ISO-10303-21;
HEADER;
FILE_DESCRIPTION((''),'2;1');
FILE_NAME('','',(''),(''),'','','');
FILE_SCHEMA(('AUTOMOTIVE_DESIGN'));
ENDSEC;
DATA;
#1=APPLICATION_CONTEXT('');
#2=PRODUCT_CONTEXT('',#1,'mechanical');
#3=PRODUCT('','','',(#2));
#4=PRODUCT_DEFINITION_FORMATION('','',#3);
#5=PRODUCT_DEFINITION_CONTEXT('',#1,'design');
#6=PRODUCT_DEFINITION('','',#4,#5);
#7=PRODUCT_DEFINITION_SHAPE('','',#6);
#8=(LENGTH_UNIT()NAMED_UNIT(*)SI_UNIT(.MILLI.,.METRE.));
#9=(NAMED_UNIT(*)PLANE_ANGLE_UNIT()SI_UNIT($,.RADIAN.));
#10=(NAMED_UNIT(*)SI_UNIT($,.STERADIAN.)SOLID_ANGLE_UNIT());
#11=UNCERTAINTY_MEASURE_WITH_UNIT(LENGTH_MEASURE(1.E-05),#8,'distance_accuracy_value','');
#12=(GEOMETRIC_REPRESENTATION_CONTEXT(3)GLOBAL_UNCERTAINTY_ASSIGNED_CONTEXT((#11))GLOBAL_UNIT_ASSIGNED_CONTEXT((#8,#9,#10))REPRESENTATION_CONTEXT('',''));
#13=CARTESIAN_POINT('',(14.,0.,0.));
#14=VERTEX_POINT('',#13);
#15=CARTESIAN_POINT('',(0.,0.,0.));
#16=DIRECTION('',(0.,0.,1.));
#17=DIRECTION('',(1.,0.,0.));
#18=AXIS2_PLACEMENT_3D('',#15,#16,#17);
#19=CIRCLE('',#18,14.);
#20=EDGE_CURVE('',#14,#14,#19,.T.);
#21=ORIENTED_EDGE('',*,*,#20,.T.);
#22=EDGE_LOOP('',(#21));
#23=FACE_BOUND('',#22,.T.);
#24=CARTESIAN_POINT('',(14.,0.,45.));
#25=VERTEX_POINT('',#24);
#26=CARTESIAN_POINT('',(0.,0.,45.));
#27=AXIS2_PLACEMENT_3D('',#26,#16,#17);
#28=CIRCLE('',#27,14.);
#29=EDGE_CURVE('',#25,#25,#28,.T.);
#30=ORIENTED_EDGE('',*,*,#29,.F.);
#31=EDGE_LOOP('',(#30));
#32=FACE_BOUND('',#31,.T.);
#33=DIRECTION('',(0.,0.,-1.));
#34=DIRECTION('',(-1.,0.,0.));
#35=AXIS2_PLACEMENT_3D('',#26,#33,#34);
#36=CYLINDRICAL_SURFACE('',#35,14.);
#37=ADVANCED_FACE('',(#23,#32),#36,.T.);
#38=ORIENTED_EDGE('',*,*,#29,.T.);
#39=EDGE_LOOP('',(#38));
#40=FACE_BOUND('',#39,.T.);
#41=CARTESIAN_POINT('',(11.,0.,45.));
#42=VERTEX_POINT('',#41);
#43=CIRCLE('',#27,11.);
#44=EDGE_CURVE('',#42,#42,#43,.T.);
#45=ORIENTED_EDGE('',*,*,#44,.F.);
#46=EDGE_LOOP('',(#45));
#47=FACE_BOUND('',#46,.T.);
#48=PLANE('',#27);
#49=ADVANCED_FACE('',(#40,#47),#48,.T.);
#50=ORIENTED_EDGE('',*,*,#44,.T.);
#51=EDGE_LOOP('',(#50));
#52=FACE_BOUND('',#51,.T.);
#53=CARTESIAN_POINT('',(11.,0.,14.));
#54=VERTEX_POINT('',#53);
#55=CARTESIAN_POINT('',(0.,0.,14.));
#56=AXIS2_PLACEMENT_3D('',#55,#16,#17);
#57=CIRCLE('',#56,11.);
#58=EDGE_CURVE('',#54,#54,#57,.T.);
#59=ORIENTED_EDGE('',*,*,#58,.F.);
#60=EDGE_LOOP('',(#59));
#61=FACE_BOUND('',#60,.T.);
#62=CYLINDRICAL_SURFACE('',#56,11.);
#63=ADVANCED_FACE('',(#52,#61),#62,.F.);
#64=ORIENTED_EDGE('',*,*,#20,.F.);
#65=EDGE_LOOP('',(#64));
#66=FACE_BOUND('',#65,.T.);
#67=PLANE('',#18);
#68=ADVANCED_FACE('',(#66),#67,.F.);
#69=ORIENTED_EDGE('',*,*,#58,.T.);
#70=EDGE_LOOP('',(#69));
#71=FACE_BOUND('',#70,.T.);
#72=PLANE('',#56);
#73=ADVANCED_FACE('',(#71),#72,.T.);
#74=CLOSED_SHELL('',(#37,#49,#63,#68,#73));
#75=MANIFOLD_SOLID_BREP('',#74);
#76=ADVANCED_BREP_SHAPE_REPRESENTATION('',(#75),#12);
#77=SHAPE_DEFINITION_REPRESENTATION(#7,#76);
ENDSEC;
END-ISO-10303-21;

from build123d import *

# Parameters (mm, degrees)
SKETCH_1_R          = 14
EXTRUDE_1_DEPTH     = 45
SKETCH_5_R          = 11
CUT_EXTRUDE_3_DEPTH = 31


with BuildPart() as part:
    # Эскиз1 → Бобышка-Вытянуть1 (new body)
    with BuildSketch(Plane.XY):
        Circle(SKETCH_1_R)
    extrude(amount=EXTRUDE_1_DEPTH)

    # Эскиз5 → Вырез-Вытянуть3 (cut)
    with BuildSketch(Plane.XY.offset(45)):
        Circle(SKETCH_5_R)
    extrude(amount=-CUT_EXTRUDE_3_DEPTH, mode=Mode.SUBTRACT)


solid = part.part
